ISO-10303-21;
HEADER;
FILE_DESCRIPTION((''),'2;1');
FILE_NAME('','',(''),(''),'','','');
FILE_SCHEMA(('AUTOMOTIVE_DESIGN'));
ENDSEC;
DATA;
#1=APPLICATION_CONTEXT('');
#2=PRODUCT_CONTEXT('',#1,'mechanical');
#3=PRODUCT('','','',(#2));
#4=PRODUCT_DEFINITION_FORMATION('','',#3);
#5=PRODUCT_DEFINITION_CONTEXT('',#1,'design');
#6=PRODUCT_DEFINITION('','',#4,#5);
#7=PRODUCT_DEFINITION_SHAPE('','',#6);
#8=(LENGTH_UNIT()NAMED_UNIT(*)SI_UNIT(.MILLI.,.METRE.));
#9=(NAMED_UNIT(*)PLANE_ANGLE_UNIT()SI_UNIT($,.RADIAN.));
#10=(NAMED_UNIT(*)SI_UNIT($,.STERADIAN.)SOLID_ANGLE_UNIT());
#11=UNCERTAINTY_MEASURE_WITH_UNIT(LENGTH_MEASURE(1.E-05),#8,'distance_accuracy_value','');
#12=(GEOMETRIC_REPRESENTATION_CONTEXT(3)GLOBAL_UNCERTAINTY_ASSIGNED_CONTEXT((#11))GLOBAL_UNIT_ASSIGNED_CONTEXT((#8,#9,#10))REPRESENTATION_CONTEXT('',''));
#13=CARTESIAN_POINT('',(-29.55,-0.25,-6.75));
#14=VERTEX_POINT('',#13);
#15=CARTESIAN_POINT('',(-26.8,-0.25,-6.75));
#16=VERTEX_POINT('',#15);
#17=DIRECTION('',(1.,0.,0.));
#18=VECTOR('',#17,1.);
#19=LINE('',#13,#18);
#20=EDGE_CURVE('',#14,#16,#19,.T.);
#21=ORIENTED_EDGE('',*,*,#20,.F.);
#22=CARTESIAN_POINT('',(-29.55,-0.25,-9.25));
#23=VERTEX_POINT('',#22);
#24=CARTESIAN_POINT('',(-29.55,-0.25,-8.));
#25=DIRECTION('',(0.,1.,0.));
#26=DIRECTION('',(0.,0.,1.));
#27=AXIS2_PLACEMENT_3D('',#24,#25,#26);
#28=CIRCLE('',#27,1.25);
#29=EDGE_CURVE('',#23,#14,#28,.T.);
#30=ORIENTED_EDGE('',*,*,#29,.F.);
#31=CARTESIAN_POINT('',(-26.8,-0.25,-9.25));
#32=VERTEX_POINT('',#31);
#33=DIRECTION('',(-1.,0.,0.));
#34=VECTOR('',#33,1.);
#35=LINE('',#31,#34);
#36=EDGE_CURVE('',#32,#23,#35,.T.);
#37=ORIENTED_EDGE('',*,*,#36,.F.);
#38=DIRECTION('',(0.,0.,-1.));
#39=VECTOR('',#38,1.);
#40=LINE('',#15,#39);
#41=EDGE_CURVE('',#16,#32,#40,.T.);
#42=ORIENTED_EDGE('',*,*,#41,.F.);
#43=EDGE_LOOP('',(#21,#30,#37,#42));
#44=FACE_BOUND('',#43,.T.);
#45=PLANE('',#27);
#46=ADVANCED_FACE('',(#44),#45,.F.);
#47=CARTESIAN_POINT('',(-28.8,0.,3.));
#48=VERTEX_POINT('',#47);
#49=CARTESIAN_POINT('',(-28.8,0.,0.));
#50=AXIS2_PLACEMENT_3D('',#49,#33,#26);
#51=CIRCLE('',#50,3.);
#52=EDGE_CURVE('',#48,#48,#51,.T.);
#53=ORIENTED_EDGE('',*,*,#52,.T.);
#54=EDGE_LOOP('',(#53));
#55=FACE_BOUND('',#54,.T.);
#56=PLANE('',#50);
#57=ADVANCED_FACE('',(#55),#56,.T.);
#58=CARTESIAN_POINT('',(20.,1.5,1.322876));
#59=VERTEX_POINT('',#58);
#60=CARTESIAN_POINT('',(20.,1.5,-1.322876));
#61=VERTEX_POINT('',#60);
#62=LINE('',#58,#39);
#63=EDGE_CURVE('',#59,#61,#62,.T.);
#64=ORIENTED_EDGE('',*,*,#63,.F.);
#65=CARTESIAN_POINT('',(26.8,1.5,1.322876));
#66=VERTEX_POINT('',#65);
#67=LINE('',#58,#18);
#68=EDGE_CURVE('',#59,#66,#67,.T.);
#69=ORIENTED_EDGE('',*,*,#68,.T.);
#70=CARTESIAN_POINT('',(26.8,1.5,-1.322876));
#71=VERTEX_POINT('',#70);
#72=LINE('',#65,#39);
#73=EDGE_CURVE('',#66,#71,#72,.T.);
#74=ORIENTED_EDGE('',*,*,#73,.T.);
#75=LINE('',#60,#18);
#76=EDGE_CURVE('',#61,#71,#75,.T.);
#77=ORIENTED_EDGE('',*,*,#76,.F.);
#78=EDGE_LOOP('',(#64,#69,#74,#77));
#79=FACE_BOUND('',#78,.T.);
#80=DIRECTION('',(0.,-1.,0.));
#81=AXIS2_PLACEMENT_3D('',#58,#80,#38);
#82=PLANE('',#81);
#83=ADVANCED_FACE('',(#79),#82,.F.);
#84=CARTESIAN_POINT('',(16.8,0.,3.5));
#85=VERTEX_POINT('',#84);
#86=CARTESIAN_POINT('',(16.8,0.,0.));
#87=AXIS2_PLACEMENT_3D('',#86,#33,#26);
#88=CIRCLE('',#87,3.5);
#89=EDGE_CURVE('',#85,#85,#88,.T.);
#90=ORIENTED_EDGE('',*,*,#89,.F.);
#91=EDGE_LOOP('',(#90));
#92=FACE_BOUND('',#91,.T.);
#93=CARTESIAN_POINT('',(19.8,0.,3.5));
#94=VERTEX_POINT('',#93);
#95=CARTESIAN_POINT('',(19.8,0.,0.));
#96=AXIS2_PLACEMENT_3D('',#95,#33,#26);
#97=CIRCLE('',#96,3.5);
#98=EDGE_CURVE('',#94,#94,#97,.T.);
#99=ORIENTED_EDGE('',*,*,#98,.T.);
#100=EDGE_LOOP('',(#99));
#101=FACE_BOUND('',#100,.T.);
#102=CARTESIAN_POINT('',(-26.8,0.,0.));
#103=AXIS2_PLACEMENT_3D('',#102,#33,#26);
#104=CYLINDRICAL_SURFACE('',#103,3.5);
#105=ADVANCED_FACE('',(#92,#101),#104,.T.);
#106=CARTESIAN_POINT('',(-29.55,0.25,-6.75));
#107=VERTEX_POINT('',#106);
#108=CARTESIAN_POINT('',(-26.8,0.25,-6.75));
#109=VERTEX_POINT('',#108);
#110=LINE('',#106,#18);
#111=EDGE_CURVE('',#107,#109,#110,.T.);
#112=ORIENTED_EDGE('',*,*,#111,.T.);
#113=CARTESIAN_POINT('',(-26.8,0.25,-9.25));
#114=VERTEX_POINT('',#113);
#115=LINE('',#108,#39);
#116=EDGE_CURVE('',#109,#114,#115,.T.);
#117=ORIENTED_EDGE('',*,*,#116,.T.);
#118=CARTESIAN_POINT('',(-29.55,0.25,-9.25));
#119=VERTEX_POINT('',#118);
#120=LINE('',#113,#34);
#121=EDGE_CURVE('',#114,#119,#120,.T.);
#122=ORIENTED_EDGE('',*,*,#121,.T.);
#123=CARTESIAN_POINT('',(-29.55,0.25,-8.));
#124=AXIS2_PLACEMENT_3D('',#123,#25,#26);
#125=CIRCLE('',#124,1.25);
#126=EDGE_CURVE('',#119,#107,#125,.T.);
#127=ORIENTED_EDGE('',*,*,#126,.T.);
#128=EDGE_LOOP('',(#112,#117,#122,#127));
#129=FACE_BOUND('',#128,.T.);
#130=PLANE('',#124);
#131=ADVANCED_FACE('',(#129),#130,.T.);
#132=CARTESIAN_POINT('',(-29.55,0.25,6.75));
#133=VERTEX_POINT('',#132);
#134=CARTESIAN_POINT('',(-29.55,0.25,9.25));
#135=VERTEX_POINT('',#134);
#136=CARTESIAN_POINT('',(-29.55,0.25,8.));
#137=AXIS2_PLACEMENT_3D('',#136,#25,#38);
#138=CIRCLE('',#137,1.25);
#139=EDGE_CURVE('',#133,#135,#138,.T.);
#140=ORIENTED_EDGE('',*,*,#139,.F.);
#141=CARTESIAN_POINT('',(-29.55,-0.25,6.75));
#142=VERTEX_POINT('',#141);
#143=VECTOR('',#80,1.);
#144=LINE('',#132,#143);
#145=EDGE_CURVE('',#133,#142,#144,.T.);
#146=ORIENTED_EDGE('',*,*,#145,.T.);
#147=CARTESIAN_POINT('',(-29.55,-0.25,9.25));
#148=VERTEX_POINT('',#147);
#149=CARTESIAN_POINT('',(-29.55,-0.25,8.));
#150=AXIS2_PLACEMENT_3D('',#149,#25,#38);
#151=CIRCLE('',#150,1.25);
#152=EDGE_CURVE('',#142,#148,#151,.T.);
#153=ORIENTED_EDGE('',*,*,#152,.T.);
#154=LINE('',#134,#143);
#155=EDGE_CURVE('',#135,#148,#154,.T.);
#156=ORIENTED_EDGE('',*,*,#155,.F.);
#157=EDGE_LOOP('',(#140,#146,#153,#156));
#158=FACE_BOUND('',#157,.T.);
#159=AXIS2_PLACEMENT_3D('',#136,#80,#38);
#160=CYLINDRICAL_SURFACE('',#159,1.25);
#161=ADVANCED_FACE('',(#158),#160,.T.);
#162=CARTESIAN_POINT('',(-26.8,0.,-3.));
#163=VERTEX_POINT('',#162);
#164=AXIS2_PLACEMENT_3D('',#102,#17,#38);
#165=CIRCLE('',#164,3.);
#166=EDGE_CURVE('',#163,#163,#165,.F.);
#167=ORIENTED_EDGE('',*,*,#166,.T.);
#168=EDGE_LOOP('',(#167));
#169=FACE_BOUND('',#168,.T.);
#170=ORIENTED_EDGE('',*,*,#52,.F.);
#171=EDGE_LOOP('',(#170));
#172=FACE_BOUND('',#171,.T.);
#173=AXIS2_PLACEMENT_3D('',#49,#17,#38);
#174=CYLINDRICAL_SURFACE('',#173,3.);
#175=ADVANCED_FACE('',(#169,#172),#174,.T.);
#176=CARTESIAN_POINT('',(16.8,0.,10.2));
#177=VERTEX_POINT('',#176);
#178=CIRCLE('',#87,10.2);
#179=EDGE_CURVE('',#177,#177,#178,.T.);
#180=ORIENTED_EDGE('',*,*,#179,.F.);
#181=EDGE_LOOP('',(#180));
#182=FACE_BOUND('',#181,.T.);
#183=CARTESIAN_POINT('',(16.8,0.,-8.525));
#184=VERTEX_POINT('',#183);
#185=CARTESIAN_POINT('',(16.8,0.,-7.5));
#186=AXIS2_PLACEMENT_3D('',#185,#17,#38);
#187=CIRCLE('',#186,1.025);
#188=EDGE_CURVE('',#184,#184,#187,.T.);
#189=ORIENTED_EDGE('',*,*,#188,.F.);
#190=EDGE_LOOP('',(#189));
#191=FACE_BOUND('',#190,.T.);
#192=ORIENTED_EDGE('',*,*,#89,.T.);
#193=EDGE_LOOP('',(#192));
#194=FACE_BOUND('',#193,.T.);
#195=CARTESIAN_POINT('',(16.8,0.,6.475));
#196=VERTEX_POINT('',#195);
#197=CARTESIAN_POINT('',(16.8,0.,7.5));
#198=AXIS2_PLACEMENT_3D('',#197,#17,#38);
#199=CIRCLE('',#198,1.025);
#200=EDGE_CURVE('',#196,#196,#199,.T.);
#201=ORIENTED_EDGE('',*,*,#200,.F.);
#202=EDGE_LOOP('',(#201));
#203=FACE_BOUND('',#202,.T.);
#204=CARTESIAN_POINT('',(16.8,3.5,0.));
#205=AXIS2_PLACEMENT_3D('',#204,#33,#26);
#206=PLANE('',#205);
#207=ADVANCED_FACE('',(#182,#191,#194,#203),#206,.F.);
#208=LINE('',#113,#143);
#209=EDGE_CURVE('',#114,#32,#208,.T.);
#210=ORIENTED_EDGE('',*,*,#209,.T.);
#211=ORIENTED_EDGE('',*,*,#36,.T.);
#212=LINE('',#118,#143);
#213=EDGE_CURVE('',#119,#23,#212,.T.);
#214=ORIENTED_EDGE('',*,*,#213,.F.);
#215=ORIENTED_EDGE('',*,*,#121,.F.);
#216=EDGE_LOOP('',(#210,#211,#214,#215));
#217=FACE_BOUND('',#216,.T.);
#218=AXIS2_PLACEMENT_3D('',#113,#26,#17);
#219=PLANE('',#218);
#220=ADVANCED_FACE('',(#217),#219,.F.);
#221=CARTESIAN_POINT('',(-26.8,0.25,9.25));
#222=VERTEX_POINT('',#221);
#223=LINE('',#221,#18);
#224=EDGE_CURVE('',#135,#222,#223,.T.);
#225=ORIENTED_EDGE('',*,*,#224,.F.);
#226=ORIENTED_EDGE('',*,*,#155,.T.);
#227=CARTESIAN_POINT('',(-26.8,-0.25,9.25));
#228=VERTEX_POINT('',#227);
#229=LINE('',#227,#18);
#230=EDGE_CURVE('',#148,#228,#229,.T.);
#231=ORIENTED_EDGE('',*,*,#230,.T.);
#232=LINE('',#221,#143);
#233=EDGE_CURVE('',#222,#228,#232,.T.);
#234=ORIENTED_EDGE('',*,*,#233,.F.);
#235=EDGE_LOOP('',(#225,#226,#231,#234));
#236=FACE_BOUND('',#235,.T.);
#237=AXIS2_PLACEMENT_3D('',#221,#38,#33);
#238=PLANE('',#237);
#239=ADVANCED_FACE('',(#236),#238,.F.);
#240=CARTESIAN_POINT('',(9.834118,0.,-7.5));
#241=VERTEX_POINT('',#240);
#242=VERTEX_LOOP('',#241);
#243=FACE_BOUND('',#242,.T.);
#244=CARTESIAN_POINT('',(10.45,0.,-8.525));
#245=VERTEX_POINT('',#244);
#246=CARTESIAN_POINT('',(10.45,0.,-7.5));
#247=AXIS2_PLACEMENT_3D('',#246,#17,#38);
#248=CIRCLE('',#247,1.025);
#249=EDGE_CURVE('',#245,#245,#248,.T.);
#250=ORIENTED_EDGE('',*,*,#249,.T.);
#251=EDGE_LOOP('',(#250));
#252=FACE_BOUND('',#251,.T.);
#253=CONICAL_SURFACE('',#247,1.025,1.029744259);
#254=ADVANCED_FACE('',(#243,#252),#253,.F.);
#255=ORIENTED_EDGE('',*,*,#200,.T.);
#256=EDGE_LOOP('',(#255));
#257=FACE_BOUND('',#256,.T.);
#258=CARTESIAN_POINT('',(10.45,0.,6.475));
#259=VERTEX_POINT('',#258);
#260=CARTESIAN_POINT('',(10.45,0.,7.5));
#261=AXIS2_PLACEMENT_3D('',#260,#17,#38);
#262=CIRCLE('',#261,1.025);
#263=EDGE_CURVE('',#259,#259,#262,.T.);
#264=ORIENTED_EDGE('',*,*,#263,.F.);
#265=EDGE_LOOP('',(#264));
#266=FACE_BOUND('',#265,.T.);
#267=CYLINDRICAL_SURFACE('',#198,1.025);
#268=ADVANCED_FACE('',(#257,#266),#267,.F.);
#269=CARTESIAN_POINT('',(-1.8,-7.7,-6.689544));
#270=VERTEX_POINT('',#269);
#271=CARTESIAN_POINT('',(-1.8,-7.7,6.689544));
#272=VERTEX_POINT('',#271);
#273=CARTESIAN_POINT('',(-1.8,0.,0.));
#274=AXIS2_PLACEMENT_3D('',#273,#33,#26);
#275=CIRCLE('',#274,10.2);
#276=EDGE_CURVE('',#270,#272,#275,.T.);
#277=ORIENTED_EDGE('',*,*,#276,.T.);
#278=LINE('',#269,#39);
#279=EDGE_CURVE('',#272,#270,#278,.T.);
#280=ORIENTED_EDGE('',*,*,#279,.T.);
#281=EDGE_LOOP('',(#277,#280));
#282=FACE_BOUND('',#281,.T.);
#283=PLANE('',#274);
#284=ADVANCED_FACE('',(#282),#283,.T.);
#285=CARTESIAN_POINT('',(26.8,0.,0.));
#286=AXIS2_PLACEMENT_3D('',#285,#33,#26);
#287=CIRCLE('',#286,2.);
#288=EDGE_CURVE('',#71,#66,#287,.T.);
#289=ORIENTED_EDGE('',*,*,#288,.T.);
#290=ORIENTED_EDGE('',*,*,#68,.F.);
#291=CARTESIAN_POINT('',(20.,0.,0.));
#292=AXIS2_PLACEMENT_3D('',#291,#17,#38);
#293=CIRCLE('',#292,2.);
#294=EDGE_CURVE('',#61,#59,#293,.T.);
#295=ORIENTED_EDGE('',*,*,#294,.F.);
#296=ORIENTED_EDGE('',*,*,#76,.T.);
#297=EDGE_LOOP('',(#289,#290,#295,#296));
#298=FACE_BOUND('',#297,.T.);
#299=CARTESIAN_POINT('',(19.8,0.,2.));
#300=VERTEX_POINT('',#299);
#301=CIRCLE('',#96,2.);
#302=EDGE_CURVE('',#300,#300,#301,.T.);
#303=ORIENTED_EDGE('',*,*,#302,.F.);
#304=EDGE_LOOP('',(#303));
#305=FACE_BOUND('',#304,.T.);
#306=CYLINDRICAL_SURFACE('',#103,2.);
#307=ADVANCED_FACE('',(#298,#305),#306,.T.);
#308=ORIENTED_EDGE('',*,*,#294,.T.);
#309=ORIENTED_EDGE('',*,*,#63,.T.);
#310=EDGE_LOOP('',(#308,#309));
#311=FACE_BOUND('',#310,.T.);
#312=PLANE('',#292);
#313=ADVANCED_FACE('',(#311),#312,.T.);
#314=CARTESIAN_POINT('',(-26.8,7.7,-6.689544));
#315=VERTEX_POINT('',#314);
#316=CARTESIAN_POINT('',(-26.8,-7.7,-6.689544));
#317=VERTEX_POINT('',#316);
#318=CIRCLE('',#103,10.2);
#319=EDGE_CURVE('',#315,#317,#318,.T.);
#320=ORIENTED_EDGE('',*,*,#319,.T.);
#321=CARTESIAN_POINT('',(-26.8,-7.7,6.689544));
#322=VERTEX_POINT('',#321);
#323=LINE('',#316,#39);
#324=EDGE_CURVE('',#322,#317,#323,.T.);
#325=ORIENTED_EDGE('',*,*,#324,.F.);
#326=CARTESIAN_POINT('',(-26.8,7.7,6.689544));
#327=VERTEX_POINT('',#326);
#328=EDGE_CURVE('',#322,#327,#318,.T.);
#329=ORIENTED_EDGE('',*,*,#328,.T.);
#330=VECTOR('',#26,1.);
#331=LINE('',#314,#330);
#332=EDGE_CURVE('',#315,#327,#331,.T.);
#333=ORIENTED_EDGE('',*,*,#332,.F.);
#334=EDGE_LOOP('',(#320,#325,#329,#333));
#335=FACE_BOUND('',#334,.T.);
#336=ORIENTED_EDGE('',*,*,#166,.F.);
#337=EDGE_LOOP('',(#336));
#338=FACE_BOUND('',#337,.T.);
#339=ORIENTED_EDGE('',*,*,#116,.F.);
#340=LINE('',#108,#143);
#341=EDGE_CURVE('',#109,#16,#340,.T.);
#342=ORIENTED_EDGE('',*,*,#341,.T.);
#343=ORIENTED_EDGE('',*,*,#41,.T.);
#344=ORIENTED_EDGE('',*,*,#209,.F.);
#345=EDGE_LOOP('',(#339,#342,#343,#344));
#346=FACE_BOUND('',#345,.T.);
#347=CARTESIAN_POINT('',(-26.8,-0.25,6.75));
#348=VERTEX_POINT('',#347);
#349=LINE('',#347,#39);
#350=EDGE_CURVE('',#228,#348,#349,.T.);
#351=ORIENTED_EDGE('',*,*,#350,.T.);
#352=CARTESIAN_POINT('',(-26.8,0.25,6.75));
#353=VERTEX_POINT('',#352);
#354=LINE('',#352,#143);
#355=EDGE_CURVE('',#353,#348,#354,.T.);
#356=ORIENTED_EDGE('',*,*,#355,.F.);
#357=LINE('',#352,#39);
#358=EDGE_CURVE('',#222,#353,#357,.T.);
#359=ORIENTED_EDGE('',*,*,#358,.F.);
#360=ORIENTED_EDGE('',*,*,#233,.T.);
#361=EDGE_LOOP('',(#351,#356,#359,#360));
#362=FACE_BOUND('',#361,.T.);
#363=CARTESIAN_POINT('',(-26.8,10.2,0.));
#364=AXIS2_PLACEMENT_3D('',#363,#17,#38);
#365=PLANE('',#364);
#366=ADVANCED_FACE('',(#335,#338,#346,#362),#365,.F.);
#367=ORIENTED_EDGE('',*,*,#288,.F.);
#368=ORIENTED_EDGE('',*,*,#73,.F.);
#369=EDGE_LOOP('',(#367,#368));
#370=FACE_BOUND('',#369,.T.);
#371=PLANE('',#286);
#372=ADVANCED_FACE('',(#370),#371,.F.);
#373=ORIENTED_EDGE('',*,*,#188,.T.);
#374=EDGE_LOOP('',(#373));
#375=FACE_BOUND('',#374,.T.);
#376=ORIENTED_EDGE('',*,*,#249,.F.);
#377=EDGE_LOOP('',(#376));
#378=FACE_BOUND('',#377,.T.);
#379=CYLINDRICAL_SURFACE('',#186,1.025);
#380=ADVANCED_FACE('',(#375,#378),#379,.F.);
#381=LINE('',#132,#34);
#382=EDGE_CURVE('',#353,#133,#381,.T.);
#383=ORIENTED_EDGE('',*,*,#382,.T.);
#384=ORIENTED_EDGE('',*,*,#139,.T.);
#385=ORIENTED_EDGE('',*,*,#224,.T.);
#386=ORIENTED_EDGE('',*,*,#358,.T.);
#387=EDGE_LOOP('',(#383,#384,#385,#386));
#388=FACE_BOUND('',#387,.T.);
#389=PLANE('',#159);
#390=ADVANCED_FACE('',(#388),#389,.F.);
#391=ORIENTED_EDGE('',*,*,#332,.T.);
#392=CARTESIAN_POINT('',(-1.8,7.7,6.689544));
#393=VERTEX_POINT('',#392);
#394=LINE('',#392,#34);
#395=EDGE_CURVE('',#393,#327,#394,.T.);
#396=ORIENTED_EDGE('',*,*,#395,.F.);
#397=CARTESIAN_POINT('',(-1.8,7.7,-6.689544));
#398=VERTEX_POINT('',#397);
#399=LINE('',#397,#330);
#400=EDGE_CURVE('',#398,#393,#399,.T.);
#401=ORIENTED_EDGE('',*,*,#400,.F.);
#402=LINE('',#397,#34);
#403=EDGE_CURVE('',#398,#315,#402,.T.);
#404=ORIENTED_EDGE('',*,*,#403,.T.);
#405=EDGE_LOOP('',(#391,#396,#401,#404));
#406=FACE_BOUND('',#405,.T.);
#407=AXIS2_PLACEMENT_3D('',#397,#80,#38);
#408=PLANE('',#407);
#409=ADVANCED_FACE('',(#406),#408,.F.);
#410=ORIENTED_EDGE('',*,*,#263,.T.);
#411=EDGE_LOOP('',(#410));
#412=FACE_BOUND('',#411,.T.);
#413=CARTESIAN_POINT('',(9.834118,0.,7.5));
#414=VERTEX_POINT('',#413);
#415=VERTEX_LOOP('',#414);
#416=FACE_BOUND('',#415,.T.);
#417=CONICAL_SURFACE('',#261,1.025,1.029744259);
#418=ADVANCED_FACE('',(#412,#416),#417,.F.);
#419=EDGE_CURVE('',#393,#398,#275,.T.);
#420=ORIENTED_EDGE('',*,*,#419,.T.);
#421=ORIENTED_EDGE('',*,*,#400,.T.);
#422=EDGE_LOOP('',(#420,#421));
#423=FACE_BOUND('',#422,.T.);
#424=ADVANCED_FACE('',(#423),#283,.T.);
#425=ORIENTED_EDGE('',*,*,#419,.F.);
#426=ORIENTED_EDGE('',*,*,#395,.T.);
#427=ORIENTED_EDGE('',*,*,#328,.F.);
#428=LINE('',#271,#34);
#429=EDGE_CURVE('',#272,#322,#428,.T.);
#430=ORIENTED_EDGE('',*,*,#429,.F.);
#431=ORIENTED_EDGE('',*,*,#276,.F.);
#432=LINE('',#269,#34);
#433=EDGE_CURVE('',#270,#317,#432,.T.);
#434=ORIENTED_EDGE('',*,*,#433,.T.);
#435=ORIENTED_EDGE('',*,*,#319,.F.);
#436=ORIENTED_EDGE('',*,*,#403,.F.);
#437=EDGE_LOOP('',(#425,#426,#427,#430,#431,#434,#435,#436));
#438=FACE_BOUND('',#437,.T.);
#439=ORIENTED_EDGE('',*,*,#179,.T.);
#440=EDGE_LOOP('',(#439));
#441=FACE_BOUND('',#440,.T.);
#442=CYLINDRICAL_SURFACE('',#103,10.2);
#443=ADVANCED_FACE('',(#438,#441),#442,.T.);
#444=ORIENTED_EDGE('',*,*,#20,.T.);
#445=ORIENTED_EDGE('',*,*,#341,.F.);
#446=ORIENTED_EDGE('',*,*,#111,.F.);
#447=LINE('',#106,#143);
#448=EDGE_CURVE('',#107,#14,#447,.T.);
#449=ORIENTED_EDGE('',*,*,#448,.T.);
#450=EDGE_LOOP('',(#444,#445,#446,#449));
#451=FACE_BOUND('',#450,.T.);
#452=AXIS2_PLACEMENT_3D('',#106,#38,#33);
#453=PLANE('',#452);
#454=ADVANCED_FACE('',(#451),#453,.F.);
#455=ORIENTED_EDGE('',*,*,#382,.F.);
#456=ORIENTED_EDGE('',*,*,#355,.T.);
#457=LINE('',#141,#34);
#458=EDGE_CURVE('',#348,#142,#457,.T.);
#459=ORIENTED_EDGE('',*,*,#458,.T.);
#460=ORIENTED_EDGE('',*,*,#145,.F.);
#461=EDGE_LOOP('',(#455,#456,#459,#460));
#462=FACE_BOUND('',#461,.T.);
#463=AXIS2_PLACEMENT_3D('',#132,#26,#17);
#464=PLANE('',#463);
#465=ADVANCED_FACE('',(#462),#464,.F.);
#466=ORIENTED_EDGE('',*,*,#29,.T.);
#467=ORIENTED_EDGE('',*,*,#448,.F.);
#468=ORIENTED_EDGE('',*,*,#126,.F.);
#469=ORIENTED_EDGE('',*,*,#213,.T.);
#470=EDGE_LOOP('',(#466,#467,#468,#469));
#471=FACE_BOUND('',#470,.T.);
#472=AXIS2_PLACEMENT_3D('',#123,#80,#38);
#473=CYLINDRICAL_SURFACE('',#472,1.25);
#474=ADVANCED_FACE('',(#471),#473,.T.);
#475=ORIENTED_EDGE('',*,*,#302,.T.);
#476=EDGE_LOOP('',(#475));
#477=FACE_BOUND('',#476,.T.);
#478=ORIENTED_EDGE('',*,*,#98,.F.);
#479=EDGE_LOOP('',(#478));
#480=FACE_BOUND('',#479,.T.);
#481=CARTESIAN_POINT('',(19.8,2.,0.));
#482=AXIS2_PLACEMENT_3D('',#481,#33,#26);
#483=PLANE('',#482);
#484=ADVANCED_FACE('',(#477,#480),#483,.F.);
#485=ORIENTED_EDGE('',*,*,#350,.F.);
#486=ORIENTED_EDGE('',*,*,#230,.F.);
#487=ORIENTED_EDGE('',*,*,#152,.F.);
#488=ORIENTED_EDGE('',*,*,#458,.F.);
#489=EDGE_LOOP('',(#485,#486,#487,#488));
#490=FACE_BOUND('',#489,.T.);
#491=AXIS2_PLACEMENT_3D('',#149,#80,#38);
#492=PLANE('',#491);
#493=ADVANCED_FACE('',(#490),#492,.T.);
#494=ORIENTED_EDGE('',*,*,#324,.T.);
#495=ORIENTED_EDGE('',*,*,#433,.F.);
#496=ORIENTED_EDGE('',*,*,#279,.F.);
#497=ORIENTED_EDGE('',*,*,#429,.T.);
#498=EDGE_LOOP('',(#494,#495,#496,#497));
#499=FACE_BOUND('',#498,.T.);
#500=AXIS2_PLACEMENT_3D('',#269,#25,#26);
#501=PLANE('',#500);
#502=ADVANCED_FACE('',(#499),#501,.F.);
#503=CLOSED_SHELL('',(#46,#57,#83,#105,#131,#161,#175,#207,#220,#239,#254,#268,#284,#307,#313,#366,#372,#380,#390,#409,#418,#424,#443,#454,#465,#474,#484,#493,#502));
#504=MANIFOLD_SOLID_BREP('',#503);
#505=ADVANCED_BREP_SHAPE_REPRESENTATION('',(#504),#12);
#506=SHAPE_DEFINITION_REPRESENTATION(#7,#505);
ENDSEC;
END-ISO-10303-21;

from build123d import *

# Parameters (mm, degrees)
CUT_EXTRUDE1_START           = -6.8
CUT_EXTRUDE1_DEPTH           = 6.8
CUT_EXTRUDE2_DEPTH           = 25
M2_5X0_45_TAPPED_HOLE1_D     = 2.05
M2_5X0_45_TAPPED_HOLE1_DEPTH = 6.35
M2_5X0_45_TAPPED_HOLE1_TIP   = 0.615882135
BOSS_EXTRUDE1_DEPTH          = 0.25
SKETCH8_R                    = 3
BOSS_EXTRUDE2_DEPTH          = 2


with BuildPart() as part:
    # Sketch1 → Revolve1 (revolve)
    with BuildSketch(Plane.XY, mode=Mode.PRIVATE) as revolve1_sk:
        Polygon((-26.8, 0), (26.8, 0), (26.8, 2), (19.8, 2), (19.8, 3.5), (16.8, 3.5), (16.8, 10.2), (-26.8, 10.2), align=None)
    revolve(revolve1_sk.sketch.rotate(Axis((-26.8, 0, 0), (1, 0, 0)), 90), axis=Axis((-26.8, 0, 0), (1, 0, 0)))

    # Sketch3 → Cut-Extrude1 (cut)
    with BuildSketch(Plane(origin=(26.8, 0, 0), x_dir=(0, 0, -1), z_dir=(1, 0, 0)).offset(CUT_EXTRUDE1_START)):
        with BuildLine():
            Line((-1.322875656, 1.5), (1.322875656, 1.5))
            ThreePointArc((1.322875656, 1.5), (0, 2), (-1.322875656, 1.5))
        make_face()
    extrude(amount=CUT_EXTRUDE1_DEPTH, mode=Mode.SUBTRACT)

    # Sketch4 → Cut-Extrude2 (cut)
    with BuildSketch(Plane.ZY.offset(26.8)):
        with BuildLine():
            Line((-6.68954408, 7.7), (6.68954408, 7.7))
            ThreePointArc((6.68954408, 7.7), (0, 10.2), (-6.68954408, 7.7))
        make_face()
        with BuildLine():
            Line((-6.68954408, -7.7), (6.68954408, -7.7))
            ThreePointArc((6.68954408, -7.7), (0, -10.2), (-6.68954408, -7.7))
        make_face()
    extrude(amount=-CUT_EXTRUDE2_DEPTH, mode=Mode.SUBTRACT)

    # M2.5x0.45 Tapped Hole1
    with Locations(Plane(origin=(16.8, 0, 0), x_dir=(0, 0, -1), z_dir=(1, 0, 0))):
        with Locations((-7.5, 0), (7.5, 0)):
            Hole(M2_5X0_45_TAPPED_HOLE1_D / 2, depth=M2_5X0_45_TAPPED_HOLE1_DEPTH)
            with Locations((0, 0, -(M2_5X0_45_TAPPED_HOLE1_DEPTH + M2_5X0_45_TAPPED_HOLE1_TIP / 2))):  # 118° drill point
                Cone(0, M2_5X0_45_TAPPED_HOLE1_D / 2, M2_5X0_45_TAPPED_HOLE1_TIP, mode=Mode.SUBTRACT)

    # Sketch7 → Boss-Extrude1 (add, symmetric)
    with BuildSketch(Plane(origin=(0, 0, 0), x_dir=(1, 0, 0), z_dir=(0, 1, 0))):
        with BuildLine():
            Line((-26.8, 9.25), (-29.55, 9.25))
            ThreePointArc((-29.55, 9.25), (-30.8, 8), (-29.55, 6.75))
            Line((-29.55, 6.75), (-26.8, 6.75))
            Line((-26.8, 6.75), (-26.8, 9.25))
        make_face()
        with BuildLine():
            Line((-26.8, -6.75), (-26.8, -9.25))
            Line((-26.8, -9.25), (-29.55, -9.25))
            ThreePointArc((-29.55, -9.25), (-30.8, -8), (-29.55, -6.75))
            Line((-29.55, -6.75), (-26.8, -6.75))
        make_face()
    extrude(amount=BOSS_EXTRUDE1_DEPTH, both=True)

    # Sketch8 → Boss-Extrude2 (add)
    with BuildSketch(Plane.ZY.offset(26.8)):
        with Locations(Location((0, 0, 0), (0, 0, 180))):
            Circle(SKETCH8_R)
    extrude(amount=BOSS_EXTRUDE2_DEPTH)


solid = part.part
